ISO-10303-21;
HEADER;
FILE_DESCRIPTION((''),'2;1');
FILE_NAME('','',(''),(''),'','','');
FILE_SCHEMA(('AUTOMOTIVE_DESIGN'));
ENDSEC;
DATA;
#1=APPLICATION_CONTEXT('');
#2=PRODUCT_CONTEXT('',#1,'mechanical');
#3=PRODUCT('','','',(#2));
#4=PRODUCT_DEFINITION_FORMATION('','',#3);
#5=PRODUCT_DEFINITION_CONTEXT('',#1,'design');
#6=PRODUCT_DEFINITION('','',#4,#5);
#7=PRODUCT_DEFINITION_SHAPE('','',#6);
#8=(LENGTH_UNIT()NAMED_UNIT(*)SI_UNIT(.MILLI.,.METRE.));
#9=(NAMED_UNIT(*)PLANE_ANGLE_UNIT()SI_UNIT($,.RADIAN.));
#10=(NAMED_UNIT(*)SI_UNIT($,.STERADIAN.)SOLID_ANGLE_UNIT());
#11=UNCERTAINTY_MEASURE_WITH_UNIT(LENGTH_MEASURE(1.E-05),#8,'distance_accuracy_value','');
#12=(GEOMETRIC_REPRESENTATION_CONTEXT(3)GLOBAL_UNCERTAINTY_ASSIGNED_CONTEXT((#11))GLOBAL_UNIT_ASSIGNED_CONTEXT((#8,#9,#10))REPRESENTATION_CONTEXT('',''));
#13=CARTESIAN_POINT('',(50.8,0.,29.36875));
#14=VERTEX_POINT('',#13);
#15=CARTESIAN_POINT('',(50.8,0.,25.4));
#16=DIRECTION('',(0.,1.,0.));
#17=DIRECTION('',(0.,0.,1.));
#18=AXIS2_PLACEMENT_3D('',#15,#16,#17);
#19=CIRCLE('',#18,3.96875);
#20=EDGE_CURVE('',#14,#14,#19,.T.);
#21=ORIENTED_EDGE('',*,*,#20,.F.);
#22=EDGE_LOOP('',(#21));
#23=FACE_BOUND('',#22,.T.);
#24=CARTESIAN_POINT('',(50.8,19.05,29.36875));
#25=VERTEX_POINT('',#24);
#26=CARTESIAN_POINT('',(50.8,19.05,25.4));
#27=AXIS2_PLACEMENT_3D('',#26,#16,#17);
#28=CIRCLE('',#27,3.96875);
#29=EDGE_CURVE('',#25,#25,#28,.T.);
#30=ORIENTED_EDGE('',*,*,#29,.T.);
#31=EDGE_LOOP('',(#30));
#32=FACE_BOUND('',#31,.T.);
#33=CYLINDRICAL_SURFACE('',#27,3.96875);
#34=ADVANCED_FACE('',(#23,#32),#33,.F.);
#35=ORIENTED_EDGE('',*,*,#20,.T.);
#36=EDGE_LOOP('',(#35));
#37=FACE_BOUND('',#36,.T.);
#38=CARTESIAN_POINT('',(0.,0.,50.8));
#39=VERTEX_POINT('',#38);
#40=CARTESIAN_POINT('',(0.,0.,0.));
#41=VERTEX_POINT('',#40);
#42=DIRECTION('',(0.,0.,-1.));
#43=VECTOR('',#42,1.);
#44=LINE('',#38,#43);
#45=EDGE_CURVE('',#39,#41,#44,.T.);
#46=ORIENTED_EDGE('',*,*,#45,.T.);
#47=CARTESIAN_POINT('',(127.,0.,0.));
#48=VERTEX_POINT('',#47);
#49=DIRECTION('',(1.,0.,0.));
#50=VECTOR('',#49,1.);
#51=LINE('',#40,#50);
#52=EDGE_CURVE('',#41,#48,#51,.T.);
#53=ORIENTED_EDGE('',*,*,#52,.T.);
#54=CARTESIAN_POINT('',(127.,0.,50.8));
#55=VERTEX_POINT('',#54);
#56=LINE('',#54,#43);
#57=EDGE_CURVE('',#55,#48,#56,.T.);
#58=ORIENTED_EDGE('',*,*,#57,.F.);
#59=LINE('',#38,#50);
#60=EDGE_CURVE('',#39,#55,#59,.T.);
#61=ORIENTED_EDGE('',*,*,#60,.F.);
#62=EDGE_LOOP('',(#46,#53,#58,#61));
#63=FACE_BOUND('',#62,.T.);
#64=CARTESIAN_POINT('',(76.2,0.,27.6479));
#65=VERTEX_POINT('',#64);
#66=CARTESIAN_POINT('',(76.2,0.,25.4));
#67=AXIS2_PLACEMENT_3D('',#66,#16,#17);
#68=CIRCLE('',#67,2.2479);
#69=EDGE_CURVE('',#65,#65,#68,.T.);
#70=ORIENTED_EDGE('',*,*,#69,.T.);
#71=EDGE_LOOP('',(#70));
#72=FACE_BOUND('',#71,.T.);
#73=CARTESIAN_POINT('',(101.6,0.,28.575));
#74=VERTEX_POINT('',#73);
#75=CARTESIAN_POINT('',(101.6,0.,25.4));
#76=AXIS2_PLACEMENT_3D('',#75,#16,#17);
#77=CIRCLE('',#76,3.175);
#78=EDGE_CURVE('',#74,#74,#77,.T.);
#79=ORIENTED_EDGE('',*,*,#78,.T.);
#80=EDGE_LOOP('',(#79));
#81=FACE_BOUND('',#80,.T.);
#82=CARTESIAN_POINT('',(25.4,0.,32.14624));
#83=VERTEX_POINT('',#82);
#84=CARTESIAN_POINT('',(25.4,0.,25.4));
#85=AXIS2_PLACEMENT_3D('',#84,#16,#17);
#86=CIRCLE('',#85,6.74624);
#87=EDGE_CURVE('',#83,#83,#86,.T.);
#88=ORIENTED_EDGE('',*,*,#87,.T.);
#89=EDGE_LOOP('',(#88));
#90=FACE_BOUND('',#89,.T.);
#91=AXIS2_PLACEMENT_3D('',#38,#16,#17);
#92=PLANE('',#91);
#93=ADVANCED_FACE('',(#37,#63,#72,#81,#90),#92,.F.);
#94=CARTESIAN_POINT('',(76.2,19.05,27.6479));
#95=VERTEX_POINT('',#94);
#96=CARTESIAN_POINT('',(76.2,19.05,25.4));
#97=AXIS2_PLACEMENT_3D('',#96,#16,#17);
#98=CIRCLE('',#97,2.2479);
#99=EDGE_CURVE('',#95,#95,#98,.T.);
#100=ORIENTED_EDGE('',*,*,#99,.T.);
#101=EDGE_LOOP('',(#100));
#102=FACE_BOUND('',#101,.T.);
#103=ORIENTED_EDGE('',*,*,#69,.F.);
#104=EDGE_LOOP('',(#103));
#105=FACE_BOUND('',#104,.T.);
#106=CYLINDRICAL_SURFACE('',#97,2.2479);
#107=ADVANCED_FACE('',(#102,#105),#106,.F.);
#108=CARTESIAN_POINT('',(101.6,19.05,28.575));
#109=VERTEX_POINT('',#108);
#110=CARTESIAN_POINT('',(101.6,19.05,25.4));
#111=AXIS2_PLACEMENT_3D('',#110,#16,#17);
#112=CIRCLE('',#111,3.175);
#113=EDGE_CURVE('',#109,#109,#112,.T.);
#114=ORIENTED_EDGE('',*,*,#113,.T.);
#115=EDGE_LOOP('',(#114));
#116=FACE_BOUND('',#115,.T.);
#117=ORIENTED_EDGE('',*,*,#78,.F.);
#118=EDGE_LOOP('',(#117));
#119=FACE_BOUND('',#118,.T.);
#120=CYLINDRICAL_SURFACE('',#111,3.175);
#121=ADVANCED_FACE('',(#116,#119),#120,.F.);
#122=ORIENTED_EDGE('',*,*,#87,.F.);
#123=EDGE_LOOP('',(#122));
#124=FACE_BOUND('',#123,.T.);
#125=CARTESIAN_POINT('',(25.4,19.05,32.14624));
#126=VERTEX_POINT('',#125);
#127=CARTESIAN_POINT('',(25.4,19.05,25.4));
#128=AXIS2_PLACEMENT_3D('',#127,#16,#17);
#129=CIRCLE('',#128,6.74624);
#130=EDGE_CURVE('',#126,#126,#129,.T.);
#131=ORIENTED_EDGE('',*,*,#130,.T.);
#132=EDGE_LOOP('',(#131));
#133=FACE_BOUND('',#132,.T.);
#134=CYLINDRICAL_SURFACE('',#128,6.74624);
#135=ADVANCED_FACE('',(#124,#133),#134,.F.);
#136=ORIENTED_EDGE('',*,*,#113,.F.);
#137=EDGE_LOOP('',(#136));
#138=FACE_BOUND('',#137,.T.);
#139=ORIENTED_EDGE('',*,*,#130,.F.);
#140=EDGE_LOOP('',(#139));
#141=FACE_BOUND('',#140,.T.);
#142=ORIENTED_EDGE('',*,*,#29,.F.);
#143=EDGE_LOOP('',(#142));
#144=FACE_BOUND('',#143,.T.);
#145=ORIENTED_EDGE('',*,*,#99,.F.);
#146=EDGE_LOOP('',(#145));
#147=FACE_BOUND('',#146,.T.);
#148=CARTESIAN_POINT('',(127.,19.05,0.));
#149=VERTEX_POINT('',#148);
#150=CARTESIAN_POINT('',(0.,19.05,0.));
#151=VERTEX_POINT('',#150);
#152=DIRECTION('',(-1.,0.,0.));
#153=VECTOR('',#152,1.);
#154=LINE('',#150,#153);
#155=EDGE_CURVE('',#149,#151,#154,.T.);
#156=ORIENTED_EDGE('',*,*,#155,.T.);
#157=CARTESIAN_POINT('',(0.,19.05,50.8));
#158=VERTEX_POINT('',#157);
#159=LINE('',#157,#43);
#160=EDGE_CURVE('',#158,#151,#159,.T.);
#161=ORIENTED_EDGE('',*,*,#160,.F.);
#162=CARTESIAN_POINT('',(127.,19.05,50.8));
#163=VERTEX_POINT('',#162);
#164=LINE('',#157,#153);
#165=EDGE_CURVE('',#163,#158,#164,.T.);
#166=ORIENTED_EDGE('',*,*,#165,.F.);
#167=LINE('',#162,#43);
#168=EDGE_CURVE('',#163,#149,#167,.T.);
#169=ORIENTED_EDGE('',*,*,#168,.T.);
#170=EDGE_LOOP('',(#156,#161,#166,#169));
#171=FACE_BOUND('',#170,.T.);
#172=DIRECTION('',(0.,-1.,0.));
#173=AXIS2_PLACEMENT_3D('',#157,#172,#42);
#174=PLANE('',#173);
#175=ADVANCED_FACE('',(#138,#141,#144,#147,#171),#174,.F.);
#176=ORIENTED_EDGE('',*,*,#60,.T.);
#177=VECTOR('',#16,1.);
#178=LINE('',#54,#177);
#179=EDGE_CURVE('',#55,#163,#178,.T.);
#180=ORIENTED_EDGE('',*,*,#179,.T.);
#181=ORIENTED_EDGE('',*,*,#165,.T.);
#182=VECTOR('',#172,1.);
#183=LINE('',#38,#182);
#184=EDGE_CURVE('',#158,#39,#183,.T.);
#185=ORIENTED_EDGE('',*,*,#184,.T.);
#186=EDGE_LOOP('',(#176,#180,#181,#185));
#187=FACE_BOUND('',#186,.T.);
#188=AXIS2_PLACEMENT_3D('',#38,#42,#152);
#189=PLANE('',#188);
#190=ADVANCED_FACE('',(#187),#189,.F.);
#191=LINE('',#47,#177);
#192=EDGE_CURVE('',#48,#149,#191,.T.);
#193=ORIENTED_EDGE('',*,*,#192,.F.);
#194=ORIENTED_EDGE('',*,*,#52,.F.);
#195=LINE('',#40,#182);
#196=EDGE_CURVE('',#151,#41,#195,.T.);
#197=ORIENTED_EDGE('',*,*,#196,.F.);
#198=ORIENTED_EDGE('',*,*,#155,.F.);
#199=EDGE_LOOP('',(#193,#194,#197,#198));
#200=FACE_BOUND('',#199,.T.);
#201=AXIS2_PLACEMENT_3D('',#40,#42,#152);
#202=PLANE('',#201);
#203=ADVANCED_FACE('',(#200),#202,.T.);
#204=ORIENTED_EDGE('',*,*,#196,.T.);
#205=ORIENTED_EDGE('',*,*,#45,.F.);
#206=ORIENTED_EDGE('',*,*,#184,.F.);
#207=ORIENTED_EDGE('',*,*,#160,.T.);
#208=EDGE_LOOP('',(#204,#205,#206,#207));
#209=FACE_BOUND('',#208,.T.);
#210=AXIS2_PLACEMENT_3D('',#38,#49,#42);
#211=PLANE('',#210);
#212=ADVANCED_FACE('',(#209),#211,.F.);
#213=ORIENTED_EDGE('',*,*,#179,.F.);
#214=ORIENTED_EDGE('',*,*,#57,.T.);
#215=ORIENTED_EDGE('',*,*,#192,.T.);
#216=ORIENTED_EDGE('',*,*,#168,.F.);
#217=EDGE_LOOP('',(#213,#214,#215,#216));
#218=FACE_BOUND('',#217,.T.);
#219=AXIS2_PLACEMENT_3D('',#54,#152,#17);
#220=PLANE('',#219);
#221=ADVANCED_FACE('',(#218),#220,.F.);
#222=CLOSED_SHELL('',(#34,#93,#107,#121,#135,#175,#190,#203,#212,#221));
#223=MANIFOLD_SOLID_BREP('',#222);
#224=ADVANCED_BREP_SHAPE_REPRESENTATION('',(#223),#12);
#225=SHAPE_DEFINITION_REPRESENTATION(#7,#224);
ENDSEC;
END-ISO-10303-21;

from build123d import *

# Parameters (mm, degrees)
SKETCH1_W                   = 127
SKETCH1_H                   = 19.05
BOSS_EXTRUDE1_DEPTH         = 50.8
F_1_2_CLEARANCE_HOLE1_D     = 13.49248
F_3_8_16_TAPPED_HOLE1_D     = 7.9375
F_12_24_TAPPED_HOLE1_D      = 4.4958
F_1_4_0_25_DIAMETER_HOLE1_D = 6.35


with BuildPart() as part:
    # Sketch1 → Boss-Extrude1 (new body)
    with BuildSketch(Plane.XY):
        with Locations((63.5, 9.525)):
            Rectangle(SKETCH1_W, SKETCH1_H)
    extrude(amount=BOSS_EXTRUDE1_DEPTH)

    # 1/2 Clearance Hole1 (through all)
    with Locations(Plane(origin=(0, 19.05, 0), x_dir=(1, 0, 0), z_dir=(0, 1, 0))):
        with Locations((25.4, -25.4)):
            Hole(F_1_2_CLEARANCE_HOLE1_D / 2)

    # 3/8-16 Tapped Hole1 (through all)
    with Locations(Plane(origin=(0, 19.05, 0), x_dir=(1, 0, 0), z_dir=(0, 1, 0))):
        with Locations((50.8, -25.4)):
            Hole(F_3_8_16_TAPPED_HOLE1_D / 2)

    # #12-24 Tapped Hole1 (through all)
    with Locations(Plane(origin=(0, 19.05, 0), x_dir=(1, 0, 0), z_dir=(0, 1, 0))):
        with Locations((76.2, -25.4)):
            Hole(F_12_24_TAPPED_HOLE1_D / 2)

    # 1/4 (0.25) Diameter Hole1 (through all)
    with Locations(Plane(origin=(0, 19.05, 0), x_dir=(1, 0, 0), z_dir=(0, 1, 0))):
        with Locations((101.6, -25.4)):
            Hole(F_1_4_0_25_DIAMETER_HOLE1_D / 2)


solid = part.part
